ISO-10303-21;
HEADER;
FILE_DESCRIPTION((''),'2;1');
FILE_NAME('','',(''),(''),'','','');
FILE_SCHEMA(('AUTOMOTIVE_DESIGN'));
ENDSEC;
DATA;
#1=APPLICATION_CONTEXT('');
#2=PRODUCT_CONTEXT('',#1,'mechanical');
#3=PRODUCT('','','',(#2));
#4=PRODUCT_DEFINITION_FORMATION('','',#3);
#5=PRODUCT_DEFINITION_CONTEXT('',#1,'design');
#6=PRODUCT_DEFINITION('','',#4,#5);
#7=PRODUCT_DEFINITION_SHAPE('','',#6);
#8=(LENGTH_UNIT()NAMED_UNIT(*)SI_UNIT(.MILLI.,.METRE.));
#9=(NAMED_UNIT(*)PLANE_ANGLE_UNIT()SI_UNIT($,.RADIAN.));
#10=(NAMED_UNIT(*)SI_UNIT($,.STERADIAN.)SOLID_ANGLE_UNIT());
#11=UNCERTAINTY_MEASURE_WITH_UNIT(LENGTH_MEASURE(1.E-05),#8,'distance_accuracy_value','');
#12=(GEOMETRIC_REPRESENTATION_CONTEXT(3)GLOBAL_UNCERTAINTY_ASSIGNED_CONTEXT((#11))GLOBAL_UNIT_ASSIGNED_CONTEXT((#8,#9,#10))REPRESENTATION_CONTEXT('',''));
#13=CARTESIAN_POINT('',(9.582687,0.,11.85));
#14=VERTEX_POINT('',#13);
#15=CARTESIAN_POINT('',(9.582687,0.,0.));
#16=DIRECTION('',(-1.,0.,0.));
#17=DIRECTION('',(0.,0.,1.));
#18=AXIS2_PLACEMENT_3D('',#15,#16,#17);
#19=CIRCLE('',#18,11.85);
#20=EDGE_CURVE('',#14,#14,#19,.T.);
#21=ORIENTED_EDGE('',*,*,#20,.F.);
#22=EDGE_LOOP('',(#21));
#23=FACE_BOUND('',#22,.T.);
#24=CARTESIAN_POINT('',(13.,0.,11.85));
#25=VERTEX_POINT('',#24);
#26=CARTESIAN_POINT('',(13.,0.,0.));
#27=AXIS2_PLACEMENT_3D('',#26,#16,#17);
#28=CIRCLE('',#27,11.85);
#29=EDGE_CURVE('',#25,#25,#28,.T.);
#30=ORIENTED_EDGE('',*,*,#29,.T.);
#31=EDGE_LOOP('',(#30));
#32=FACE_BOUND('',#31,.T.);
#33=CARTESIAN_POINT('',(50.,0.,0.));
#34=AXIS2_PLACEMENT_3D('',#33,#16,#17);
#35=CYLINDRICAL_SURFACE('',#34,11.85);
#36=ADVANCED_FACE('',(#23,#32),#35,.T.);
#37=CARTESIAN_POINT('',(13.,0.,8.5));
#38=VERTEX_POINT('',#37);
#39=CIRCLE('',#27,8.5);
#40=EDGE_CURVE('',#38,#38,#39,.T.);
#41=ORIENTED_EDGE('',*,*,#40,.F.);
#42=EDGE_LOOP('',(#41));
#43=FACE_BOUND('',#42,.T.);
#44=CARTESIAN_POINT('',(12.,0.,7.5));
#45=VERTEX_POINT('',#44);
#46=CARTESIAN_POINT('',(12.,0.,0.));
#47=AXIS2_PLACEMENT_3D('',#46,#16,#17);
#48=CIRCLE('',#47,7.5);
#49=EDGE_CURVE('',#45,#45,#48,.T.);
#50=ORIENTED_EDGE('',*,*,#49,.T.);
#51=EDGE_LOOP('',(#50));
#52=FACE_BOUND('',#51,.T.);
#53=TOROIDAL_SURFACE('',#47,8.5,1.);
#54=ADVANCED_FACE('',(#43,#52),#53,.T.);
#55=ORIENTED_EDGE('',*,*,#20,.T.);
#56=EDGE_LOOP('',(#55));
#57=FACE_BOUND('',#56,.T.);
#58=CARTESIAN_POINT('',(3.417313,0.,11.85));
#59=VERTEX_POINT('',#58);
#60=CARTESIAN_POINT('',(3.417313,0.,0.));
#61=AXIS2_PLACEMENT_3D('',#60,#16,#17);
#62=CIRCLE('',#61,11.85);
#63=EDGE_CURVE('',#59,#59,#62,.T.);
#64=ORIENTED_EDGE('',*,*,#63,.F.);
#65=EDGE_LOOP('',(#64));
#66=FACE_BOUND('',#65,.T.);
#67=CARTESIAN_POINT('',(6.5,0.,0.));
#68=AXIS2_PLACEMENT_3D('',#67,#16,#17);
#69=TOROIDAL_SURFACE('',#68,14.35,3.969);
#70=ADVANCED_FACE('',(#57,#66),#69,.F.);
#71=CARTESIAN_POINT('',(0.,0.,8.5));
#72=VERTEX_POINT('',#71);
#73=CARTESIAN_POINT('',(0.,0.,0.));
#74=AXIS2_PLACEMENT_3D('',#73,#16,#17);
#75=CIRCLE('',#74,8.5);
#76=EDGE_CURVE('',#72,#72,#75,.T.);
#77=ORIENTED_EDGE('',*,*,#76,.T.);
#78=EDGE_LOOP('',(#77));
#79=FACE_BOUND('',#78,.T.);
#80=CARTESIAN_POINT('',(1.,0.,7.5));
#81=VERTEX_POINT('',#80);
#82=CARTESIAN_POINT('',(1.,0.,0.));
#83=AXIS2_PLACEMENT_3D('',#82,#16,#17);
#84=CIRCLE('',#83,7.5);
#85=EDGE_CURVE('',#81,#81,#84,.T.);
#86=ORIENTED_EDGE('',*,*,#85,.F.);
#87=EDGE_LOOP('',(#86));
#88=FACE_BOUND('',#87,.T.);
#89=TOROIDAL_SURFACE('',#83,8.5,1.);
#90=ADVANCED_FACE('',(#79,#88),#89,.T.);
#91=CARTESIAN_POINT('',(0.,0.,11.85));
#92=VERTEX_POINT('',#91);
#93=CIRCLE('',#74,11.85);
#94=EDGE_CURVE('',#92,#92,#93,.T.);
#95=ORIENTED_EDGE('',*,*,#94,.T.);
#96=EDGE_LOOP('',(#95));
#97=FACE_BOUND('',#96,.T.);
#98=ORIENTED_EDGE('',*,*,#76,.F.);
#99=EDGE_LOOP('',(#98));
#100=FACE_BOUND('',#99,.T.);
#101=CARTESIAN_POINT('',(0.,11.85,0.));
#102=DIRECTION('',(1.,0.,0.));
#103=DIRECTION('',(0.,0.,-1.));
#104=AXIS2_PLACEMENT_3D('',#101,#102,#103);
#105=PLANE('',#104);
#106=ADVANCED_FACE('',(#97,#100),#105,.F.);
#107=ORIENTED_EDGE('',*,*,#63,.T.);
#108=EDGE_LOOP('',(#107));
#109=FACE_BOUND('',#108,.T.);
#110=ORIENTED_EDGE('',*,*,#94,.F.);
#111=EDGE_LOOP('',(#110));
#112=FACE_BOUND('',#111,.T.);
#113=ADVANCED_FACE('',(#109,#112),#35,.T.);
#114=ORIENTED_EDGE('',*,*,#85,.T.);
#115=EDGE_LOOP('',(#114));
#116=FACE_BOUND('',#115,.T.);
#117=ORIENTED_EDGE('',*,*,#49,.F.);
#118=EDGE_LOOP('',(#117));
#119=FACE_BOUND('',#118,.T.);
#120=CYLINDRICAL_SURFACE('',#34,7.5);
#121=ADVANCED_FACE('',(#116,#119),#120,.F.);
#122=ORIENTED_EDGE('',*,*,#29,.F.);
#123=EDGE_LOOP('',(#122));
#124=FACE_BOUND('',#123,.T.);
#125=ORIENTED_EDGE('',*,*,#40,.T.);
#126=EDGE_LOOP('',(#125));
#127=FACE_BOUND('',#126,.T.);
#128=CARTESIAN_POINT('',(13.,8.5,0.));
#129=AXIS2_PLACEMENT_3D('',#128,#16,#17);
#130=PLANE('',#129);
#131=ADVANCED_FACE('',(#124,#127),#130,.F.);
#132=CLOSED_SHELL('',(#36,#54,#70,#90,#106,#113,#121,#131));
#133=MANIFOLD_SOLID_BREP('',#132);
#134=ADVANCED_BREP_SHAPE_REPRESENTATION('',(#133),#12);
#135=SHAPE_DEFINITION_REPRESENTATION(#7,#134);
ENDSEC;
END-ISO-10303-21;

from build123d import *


with BuildPart() as part:
    # Sketch1 → Revolução1 (revolve)
    with BuildSketch(Plane.XY, mode=Mode.PRIVATE) as revolu_o1_sk:
        with BuildLine():
            Line((1, 7.5), (12, 7.5))
            ThreePointArc((12, 7.5), (12.707106781, 7.792893219), (13, 8.5))
            Line((13, 8.5), (13, 11.85))
            Line((13, 11.85), (9.582687302, 11.85))
            ThreePointArc((9.582687302, 11.85), (6.5, 10.381), (3.417312698, 11.85))
            Line((3.417312698, 11.85), (0, 11.85))
            Line((0, 11.85), (0, 8.5))
            ThreePointArc((0, 8.5), (0.292893219, 7.792893219), (1, 7.5))
        make_face()
    revolve(revolu_o1_sk.sketch.rotate(Axis((50, 0, 0), (-1, 0, 0)), 270), axis=Axis((50, 0, 0), (-1, 0, 0)))


solid = part.part
